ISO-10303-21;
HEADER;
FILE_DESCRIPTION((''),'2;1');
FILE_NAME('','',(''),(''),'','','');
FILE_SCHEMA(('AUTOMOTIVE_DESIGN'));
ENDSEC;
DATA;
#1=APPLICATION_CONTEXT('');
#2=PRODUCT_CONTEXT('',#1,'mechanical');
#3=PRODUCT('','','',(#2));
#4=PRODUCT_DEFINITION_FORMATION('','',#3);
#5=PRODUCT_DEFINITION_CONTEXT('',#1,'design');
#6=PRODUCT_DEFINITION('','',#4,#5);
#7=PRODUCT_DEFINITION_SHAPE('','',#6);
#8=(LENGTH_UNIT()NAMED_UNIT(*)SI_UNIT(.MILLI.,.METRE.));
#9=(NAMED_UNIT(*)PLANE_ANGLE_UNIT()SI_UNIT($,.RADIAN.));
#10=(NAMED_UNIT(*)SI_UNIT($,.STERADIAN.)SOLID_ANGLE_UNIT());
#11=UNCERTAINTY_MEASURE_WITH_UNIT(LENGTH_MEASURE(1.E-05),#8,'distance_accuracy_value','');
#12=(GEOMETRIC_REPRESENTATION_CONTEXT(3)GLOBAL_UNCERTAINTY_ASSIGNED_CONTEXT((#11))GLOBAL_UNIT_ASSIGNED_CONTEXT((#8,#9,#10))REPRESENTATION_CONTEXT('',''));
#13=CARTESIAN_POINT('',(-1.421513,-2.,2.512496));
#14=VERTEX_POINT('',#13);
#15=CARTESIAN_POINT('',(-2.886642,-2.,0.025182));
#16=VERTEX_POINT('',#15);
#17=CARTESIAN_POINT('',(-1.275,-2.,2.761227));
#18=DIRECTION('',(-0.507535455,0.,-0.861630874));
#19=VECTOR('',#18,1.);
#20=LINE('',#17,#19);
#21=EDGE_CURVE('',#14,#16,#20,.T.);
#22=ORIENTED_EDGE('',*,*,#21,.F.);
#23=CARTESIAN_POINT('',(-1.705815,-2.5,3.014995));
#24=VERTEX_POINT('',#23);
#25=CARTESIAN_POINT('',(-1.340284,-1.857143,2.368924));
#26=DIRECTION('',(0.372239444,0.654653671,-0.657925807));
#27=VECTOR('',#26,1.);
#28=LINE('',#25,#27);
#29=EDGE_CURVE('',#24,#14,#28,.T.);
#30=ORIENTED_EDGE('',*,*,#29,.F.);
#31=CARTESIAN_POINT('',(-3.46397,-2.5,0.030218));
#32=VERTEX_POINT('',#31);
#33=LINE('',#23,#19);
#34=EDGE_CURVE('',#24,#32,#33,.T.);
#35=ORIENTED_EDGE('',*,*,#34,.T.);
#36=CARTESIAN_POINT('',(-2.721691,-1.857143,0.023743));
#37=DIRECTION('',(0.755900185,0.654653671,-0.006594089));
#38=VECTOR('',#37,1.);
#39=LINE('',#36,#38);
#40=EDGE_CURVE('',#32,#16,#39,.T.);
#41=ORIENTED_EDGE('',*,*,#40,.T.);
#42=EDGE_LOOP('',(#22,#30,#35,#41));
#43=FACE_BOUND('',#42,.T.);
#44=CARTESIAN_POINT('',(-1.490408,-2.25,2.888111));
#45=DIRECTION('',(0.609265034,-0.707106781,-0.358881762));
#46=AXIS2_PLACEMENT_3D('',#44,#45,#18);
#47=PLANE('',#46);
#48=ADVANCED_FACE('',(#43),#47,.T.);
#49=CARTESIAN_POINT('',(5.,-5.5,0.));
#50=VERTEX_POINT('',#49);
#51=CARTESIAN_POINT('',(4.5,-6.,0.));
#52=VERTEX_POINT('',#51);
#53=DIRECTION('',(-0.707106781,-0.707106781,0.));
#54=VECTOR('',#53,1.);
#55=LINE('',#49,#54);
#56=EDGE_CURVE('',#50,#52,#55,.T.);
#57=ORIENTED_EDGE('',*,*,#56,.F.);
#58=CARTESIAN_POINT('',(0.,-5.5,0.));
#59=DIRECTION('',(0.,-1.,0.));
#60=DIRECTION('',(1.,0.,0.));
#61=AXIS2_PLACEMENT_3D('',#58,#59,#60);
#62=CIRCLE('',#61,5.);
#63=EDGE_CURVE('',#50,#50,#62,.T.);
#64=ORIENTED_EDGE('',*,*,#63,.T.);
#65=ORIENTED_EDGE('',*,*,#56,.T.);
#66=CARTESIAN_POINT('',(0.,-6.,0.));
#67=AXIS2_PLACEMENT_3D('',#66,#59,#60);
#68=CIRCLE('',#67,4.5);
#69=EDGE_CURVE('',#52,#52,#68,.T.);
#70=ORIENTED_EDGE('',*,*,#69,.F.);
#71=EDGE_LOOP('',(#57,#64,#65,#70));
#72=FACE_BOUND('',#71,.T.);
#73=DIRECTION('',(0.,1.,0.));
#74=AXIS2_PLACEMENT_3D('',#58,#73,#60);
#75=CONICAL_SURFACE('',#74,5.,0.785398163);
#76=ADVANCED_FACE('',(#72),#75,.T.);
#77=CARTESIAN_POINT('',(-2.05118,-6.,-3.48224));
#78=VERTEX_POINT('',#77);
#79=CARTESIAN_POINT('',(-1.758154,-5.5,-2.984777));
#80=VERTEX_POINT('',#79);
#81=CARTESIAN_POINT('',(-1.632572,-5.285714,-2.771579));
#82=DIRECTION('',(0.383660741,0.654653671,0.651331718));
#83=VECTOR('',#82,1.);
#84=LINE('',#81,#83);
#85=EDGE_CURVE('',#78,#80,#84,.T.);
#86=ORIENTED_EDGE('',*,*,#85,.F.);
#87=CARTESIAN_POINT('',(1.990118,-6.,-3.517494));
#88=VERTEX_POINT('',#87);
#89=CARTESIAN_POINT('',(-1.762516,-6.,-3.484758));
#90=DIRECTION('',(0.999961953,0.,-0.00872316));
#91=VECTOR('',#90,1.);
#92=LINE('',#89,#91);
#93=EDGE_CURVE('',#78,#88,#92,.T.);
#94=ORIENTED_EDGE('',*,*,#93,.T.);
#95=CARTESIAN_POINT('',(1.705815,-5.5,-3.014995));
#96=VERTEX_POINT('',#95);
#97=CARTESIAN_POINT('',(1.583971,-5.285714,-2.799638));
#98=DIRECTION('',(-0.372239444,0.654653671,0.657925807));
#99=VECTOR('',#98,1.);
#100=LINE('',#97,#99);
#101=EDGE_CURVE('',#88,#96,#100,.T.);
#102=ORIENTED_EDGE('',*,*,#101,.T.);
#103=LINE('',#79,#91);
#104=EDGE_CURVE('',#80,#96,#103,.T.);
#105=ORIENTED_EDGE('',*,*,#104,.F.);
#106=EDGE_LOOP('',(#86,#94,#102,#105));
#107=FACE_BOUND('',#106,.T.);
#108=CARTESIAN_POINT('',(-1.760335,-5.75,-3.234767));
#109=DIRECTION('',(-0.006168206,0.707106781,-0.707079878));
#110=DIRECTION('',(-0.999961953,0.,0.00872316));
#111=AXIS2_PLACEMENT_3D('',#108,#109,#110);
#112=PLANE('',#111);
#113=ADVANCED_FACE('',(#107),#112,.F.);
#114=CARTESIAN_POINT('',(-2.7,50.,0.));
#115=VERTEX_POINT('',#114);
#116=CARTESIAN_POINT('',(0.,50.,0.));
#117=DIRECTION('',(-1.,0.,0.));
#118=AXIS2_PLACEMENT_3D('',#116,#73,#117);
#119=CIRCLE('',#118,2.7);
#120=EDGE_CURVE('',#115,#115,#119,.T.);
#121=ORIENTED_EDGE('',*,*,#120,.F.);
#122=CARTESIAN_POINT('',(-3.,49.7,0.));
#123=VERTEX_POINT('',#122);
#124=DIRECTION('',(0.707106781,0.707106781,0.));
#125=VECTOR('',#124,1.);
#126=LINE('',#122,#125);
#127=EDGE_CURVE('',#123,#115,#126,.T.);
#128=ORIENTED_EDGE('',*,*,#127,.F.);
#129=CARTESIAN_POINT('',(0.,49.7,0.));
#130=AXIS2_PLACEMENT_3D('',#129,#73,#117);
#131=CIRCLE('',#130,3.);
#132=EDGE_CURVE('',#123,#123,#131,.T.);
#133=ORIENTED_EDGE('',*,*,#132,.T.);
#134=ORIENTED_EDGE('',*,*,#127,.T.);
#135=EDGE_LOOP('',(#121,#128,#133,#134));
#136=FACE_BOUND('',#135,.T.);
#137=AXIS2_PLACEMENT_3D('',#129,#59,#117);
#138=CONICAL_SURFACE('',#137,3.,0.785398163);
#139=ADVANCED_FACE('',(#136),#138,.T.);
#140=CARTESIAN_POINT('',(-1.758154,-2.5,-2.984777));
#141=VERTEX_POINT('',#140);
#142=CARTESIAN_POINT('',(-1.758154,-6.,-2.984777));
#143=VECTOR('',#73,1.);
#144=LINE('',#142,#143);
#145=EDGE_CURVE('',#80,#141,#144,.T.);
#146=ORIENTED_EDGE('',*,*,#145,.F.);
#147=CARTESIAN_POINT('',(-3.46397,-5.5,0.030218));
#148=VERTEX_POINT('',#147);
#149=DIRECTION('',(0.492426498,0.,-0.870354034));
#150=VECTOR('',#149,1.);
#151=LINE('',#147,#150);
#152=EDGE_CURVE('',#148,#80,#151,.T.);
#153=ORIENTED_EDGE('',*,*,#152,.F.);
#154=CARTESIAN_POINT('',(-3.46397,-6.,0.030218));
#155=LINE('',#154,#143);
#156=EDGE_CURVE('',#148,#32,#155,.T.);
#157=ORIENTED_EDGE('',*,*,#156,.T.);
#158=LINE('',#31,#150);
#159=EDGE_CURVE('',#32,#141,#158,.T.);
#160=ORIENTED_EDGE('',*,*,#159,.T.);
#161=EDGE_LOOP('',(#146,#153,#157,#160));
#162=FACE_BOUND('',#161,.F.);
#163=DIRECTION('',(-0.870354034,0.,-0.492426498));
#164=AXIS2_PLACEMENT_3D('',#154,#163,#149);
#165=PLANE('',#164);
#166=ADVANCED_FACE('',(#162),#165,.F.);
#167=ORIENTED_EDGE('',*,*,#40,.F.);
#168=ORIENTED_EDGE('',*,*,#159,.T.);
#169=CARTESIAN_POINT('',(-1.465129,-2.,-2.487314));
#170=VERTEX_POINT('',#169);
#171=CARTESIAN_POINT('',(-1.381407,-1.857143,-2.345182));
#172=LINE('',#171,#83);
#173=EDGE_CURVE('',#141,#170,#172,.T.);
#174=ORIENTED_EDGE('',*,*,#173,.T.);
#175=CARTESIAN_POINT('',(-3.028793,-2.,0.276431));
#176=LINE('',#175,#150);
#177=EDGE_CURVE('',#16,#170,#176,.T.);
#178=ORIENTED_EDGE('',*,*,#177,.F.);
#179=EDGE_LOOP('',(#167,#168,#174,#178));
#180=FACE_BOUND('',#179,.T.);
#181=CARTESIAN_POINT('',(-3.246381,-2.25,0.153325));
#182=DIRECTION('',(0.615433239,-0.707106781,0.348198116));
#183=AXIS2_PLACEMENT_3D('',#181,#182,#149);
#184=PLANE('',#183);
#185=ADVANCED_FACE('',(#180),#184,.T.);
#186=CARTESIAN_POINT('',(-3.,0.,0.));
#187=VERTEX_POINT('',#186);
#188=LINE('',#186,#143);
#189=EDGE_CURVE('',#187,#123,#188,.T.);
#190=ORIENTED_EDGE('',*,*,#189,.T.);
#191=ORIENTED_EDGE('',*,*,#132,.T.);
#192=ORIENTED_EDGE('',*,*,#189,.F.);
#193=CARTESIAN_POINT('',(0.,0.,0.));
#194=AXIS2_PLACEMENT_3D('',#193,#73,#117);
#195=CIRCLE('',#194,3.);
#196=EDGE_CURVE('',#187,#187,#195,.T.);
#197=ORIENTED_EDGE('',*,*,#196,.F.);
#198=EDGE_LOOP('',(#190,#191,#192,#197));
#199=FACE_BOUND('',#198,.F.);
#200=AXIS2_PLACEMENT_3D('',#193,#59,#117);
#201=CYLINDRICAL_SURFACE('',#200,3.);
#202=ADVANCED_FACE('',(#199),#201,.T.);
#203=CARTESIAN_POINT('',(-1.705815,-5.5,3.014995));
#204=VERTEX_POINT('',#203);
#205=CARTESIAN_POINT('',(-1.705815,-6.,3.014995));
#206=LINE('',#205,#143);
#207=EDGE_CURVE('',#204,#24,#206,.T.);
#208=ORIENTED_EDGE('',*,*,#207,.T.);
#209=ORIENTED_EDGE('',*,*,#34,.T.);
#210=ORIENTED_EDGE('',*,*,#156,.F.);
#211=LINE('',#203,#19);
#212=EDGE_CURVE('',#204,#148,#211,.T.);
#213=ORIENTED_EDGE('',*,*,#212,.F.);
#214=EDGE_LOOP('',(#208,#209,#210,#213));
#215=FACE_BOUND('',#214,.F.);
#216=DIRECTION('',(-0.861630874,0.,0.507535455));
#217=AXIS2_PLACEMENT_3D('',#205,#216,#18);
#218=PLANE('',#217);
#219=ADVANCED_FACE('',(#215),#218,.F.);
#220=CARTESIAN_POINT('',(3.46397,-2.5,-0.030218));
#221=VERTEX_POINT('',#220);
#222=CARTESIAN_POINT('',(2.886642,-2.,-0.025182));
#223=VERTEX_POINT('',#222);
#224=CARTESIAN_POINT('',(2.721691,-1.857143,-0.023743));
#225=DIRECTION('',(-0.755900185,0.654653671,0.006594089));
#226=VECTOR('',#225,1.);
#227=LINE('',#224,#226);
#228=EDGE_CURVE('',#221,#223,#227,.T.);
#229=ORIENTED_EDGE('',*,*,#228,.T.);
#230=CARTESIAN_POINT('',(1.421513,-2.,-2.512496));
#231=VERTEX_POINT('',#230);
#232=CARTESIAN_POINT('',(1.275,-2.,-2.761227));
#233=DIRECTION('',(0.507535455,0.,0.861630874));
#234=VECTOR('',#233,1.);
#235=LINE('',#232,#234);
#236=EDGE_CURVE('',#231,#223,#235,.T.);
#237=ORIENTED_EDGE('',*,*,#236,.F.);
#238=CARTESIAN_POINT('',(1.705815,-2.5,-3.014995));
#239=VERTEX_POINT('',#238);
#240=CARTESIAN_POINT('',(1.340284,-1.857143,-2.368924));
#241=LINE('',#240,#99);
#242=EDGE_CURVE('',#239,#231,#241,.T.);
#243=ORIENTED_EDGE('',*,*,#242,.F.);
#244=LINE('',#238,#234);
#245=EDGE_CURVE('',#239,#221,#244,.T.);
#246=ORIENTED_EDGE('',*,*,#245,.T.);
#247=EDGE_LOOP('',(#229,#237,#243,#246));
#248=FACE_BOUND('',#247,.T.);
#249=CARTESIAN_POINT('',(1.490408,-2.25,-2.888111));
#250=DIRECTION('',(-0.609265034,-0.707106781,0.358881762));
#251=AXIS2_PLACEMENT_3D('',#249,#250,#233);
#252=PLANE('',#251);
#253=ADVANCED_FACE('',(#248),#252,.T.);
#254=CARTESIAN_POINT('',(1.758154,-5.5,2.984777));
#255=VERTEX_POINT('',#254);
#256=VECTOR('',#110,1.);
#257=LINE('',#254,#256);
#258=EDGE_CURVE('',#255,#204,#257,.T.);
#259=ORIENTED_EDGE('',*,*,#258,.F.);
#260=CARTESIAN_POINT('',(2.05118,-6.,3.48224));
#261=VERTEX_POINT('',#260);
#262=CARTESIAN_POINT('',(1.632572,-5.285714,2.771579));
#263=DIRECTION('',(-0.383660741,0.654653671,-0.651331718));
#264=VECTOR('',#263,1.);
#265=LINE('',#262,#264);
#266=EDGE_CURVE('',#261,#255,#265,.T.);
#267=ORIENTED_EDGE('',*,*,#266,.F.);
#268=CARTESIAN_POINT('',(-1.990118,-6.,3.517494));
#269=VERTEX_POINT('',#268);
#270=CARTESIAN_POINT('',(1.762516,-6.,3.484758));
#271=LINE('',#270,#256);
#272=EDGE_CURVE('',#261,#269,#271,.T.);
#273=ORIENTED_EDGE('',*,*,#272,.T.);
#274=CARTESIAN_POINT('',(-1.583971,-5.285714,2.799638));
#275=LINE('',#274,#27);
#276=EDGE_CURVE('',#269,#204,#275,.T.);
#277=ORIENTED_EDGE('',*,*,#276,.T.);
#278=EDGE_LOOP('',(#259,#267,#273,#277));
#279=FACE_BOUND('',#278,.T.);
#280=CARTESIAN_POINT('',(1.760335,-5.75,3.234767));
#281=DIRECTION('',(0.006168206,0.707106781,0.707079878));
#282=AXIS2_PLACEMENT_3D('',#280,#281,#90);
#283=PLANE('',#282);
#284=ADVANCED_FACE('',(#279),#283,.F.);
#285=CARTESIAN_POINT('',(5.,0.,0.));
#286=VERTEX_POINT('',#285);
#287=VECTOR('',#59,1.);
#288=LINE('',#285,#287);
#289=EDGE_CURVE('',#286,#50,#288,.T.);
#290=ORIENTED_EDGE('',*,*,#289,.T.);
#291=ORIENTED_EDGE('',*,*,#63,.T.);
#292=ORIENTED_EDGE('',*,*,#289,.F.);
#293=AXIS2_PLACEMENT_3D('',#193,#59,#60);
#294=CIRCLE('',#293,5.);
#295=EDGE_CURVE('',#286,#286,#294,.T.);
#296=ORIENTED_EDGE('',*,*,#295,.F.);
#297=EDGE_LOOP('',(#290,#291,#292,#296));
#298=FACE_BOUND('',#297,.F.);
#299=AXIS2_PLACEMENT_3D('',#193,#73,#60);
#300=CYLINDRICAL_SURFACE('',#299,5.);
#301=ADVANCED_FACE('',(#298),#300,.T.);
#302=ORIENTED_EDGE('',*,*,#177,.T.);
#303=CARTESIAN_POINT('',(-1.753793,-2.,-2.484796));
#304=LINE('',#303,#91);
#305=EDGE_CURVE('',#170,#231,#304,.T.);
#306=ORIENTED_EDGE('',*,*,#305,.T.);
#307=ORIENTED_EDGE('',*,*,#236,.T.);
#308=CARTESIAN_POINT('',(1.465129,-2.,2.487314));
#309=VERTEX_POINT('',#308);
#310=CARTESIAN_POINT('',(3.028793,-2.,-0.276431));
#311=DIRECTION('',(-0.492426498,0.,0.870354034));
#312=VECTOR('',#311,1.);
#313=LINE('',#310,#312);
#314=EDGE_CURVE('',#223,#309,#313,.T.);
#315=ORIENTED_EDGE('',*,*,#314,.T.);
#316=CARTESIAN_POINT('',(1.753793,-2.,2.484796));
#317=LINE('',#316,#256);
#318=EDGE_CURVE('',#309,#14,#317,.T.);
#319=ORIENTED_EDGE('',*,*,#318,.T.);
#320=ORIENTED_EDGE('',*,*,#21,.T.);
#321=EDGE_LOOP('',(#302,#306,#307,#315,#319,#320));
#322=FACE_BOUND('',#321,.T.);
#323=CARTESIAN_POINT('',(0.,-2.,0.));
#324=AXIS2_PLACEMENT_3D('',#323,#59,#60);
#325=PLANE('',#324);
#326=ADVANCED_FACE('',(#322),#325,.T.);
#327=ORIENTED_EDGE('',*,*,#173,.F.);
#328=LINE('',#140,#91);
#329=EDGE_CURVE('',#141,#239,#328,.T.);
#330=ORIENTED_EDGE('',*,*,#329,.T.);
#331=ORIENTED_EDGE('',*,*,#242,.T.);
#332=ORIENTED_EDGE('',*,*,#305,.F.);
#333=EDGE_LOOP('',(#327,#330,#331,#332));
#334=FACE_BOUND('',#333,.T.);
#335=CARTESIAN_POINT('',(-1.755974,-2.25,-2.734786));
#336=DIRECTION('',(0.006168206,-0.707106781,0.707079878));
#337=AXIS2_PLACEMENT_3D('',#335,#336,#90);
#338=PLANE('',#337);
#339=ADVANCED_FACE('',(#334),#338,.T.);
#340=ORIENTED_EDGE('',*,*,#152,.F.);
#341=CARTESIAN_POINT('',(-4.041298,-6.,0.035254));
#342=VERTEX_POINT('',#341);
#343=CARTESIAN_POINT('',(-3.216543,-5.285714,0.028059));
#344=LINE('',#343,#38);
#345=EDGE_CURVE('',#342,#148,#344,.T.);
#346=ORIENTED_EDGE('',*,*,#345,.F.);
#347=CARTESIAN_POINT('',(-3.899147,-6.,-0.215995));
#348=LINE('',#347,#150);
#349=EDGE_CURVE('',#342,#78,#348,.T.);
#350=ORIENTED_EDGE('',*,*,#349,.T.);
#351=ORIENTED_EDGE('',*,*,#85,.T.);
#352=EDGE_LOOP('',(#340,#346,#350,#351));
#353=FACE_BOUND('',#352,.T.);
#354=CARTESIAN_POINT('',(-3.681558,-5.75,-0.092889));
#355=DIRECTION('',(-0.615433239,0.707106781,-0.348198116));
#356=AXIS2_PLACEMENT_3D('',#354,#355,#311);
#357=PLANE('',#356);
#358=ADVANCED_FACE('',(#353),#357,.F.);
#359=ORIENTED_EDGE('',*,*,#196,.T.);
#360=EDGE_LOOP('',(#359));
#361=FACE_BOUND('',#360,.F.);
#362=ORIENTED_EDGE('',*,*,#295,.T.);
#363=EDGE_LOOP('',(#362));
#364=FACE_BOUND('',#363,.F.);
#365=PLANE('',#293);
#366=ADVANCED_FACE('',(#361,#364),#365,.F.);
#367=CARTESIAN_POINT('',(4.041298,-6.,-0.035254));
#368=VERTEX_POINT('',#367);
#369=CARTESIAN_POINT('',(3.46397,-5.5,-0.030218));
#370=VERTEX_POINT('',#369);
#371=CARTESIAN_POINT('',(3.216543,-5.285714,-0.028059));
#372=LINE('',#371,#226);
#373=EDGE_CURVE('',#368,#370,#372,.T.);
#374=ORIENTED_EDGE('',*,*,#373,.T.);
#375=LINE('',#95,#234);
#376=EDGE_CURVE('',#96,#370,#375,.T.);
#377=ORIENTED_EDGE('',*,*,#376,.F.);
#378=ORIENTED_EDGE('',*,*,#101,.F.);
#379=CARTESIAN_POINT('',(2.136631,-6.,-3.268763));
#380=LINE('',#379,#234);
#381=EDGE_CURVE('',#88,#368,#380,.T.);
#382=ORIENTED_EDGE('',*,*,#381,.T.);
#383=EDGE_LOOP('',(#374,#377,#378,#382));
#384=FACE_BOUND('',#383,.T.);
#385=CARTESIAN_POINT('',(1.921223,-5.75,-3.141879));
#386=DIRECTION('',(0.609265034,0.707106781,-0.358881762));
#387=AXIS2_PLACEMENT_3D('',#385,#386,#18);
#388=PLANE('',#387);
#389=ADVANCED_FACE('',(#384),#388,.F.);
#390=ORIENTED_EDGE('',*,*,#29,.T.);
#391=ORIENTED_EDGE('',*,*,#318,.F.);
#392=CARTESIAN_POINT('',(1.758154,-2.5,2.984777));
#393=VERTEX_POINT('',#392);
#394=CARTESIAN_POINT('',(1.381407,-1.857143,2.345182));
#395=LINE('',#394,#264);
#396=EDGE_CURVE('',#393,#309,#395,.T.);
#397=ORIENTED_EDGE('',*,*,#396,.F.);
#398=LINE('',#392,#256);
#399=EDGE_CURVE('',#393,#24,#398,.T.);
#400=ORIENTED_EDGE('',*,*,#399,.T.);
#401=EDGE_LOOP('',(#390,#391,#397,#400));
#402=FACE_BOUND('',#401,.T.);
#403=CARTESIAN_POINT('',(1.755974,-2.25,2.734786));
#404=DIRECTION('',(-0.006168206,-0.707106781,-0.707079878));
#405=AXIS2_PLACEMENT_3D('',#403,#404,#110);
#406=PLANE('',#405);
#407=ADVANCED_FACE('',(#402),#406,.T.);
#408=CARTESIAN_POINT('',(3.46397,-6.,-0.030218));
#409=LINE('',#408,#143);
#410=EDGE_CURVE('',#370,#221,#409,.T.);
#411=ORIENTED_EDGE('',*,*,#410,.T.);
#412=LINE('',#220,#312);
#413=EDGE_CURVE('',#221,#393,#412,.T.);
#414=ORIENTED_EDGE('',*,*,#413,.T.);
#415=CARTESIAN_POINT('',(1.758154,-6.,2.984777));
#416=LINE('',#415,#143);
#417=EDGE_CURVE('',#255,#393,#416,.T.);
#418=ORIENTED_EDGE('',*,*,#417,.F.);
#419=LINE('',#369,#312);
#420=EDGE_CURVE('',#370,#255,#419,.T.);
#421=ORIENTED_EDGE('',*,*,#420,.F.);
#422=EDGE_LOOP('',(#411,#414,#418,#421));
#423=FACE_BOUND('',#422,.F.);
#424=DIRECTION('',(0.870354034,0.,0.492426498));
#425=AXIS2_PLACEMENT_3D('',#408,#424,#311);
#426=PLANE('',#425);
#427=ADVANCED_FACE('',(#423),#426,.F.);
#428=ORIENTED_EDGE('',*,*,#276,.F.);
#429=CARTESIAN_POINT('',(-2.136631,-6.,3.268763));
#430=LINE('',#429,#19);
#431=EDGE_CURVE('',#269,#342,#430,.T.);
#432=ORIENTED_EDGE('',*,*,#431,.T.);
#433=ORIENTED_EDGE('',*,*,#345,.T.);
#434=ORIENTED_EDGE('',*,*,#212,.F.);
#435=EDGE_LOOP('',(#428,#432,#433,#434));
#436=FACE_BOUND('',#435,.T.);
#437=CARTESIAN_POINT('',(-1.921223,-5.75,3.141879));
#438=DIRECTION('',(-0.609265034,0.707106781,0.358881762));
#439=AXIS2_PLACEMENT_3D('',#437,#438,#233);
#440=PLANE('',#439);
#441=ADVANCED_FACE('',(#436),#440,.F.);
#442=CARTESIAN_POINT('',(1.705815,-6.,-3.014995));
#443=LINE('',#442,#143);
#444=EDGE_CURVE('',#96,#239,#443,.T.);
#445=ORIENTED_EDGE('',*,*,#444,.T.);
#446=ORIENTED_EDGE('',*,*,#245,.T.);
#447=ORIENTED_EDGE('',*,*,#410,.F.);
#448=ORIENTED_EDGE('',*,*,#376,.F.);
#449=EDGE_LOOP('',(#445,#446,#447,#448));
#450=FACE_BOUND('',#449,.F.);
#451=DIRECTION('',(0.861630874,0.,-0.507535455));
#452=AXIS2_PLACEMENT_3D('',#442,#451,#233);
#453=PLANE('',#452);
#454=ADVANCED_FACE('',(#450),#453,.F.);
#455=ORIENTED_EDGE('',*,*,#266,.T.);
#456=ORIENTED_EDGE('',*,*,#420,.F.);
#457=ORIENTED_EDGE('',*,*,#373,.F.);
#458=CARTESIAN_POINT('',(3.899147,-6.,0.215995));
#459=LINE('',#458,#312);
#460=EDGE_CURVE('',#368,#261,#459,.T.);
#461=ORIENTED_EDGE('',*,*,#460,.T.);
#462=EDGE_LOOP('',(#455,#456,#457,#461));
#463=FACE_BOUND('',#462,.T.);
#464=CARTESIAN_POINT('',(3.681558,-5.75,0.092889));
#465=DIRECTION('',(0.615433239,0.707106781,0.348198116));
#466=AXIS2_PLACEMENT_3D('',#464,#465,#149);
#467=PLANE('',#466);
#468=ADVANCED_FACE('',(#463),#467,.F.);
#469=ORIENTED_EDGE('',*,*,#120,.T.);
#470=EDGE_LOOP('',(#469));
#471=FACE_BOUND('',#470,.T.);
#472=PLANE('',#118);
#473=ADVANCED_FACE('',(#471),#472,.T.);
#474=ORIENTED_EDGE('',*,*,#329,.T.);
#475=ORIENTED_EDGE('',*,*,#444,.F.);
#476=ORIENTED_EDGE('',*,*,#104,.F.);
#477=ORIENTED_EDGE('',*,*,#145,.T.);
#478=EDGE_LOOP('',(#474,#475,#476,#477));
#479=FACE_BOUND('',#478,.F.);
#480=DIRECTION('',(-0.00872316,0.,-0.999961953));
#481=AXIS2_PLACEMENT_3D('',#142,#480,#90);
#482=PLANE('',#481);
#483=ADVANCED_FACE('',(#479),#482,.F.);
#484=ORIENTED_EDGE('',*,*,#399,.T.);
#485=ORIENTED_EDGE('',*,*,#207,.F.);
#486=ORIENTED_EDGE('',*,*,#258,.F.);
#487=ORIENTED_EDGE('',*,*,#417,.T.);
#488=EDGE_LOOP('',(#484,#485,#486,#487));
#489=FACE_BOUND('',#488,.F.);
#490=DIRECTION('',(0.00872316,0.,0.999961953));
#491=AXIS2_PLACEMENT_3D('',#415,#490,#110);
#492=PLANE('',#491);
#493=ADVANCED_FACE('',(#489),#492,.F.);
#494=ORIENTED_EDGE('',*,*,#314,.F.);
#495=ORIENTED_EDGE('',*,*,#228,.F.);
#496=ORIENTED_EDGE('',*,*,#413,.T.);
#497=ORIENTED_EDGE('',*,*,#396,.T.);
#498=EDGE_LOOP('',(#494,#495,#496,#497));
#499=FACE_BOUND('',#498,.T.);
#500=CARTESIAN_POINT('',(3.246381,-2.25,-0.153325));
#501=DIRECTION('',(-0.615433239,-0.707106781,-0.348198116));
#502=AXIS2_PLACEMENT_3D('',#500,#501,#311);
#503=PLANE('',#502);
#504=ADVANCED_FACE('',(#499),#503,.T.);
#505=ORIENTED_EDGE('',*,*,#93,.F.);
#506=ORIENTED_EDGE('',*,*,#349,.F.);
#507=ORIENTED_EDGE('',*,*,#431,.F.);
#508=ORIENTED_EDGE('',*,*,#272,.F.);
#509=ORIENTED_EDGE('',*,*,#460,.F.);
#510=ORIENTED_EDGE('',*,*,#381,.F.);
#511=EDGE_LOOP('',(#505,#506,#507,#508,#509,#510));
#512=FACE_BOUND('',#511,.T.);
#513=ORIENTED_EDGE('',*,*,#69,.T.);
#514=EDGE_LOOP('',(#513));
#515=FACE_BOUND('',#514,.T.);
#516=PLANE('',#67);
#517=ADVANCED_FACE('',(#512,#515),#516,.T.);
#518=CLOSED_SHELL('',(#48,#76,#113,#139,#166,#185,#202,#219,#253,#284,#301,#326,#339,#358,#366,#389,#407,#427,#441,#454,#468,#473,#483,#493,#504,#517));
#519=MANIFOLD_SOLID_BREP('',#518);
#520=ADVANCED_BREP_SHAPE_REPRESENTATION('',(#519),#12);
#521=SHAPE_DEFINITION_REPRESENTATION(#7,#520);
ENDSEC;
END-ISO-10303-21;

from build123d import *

# Parameters (mm, degrees)
F0_R     = 5
F1_DEPTH = 6
F3_DEPTH = 4
F6_SIZE  = 0.5
F7_R     = 3
F4_DEPTH = 50
F5_SIZE  = 0.3


with BuildPart() as f1:
    # F0 (on Front) → F1 (new body)
    with BuildSketch(Plane.XZ):
        Circle(F0_R)
    extrude(amount=F1_DEPTH)

    # F2 (on face) → F3 (cut)
    with BuildSketch(Plane.XZ.offset(6)):
        Polygon((3.4639698148, -0.0302179133), (1.7581543879, 2.9847769009), (-1.7058154268, 3.0149948142), (-3.4639698148, 0.0302179133), (-1.7581543879, -2.9847769009), (1.7058154268, -3.0149948142), align=None)
    extrude(amount=-F3_DEPTH, mode=Mode.SUBTRACT)

    # F6
    f6_edges = [f1.edges().sort_by_distance(p)[0] for p in [
        (-5, -6, 0),
        (2.584893, -2, -1.522606),
        (2.611062, -2, 1.477279),
        (0.026169, -2, 2.999886),
        (-2.584893, -2, 1.522606),
        (-2.611062, -2, -1.477279),
        (-0.026169, -2, -2.999886),
        (-2.584893, -6, 1.522606),
        (-2.611062, -6, -1.477279),
        (0.026169, -6, 2.999886),
        (2.584893, -6, -1.522606),
        (2.611062, -6, 1.477279),
        (-0.026169, -6, -2.999886),
    ]]
    chamfer(f6_edges, length=F6_SIZE)

    # F7 (on face) → F4 (join)
    with BuildSketch(Plane(origin=(0, 0, 0), x_dir=(-1, 0, 0), z_dir=(0, 1, 0))):
        Circle(F7_R)
    extrude(amount=F4_DEPTH)

    # F5
    f5_edges = [f1.edges().sort_by_distance(p)[0] for p in [
        (3, 50, 0),
    ]]
    chamfer(f5_edges, length=F5_SIZE)


solid = f1.part
